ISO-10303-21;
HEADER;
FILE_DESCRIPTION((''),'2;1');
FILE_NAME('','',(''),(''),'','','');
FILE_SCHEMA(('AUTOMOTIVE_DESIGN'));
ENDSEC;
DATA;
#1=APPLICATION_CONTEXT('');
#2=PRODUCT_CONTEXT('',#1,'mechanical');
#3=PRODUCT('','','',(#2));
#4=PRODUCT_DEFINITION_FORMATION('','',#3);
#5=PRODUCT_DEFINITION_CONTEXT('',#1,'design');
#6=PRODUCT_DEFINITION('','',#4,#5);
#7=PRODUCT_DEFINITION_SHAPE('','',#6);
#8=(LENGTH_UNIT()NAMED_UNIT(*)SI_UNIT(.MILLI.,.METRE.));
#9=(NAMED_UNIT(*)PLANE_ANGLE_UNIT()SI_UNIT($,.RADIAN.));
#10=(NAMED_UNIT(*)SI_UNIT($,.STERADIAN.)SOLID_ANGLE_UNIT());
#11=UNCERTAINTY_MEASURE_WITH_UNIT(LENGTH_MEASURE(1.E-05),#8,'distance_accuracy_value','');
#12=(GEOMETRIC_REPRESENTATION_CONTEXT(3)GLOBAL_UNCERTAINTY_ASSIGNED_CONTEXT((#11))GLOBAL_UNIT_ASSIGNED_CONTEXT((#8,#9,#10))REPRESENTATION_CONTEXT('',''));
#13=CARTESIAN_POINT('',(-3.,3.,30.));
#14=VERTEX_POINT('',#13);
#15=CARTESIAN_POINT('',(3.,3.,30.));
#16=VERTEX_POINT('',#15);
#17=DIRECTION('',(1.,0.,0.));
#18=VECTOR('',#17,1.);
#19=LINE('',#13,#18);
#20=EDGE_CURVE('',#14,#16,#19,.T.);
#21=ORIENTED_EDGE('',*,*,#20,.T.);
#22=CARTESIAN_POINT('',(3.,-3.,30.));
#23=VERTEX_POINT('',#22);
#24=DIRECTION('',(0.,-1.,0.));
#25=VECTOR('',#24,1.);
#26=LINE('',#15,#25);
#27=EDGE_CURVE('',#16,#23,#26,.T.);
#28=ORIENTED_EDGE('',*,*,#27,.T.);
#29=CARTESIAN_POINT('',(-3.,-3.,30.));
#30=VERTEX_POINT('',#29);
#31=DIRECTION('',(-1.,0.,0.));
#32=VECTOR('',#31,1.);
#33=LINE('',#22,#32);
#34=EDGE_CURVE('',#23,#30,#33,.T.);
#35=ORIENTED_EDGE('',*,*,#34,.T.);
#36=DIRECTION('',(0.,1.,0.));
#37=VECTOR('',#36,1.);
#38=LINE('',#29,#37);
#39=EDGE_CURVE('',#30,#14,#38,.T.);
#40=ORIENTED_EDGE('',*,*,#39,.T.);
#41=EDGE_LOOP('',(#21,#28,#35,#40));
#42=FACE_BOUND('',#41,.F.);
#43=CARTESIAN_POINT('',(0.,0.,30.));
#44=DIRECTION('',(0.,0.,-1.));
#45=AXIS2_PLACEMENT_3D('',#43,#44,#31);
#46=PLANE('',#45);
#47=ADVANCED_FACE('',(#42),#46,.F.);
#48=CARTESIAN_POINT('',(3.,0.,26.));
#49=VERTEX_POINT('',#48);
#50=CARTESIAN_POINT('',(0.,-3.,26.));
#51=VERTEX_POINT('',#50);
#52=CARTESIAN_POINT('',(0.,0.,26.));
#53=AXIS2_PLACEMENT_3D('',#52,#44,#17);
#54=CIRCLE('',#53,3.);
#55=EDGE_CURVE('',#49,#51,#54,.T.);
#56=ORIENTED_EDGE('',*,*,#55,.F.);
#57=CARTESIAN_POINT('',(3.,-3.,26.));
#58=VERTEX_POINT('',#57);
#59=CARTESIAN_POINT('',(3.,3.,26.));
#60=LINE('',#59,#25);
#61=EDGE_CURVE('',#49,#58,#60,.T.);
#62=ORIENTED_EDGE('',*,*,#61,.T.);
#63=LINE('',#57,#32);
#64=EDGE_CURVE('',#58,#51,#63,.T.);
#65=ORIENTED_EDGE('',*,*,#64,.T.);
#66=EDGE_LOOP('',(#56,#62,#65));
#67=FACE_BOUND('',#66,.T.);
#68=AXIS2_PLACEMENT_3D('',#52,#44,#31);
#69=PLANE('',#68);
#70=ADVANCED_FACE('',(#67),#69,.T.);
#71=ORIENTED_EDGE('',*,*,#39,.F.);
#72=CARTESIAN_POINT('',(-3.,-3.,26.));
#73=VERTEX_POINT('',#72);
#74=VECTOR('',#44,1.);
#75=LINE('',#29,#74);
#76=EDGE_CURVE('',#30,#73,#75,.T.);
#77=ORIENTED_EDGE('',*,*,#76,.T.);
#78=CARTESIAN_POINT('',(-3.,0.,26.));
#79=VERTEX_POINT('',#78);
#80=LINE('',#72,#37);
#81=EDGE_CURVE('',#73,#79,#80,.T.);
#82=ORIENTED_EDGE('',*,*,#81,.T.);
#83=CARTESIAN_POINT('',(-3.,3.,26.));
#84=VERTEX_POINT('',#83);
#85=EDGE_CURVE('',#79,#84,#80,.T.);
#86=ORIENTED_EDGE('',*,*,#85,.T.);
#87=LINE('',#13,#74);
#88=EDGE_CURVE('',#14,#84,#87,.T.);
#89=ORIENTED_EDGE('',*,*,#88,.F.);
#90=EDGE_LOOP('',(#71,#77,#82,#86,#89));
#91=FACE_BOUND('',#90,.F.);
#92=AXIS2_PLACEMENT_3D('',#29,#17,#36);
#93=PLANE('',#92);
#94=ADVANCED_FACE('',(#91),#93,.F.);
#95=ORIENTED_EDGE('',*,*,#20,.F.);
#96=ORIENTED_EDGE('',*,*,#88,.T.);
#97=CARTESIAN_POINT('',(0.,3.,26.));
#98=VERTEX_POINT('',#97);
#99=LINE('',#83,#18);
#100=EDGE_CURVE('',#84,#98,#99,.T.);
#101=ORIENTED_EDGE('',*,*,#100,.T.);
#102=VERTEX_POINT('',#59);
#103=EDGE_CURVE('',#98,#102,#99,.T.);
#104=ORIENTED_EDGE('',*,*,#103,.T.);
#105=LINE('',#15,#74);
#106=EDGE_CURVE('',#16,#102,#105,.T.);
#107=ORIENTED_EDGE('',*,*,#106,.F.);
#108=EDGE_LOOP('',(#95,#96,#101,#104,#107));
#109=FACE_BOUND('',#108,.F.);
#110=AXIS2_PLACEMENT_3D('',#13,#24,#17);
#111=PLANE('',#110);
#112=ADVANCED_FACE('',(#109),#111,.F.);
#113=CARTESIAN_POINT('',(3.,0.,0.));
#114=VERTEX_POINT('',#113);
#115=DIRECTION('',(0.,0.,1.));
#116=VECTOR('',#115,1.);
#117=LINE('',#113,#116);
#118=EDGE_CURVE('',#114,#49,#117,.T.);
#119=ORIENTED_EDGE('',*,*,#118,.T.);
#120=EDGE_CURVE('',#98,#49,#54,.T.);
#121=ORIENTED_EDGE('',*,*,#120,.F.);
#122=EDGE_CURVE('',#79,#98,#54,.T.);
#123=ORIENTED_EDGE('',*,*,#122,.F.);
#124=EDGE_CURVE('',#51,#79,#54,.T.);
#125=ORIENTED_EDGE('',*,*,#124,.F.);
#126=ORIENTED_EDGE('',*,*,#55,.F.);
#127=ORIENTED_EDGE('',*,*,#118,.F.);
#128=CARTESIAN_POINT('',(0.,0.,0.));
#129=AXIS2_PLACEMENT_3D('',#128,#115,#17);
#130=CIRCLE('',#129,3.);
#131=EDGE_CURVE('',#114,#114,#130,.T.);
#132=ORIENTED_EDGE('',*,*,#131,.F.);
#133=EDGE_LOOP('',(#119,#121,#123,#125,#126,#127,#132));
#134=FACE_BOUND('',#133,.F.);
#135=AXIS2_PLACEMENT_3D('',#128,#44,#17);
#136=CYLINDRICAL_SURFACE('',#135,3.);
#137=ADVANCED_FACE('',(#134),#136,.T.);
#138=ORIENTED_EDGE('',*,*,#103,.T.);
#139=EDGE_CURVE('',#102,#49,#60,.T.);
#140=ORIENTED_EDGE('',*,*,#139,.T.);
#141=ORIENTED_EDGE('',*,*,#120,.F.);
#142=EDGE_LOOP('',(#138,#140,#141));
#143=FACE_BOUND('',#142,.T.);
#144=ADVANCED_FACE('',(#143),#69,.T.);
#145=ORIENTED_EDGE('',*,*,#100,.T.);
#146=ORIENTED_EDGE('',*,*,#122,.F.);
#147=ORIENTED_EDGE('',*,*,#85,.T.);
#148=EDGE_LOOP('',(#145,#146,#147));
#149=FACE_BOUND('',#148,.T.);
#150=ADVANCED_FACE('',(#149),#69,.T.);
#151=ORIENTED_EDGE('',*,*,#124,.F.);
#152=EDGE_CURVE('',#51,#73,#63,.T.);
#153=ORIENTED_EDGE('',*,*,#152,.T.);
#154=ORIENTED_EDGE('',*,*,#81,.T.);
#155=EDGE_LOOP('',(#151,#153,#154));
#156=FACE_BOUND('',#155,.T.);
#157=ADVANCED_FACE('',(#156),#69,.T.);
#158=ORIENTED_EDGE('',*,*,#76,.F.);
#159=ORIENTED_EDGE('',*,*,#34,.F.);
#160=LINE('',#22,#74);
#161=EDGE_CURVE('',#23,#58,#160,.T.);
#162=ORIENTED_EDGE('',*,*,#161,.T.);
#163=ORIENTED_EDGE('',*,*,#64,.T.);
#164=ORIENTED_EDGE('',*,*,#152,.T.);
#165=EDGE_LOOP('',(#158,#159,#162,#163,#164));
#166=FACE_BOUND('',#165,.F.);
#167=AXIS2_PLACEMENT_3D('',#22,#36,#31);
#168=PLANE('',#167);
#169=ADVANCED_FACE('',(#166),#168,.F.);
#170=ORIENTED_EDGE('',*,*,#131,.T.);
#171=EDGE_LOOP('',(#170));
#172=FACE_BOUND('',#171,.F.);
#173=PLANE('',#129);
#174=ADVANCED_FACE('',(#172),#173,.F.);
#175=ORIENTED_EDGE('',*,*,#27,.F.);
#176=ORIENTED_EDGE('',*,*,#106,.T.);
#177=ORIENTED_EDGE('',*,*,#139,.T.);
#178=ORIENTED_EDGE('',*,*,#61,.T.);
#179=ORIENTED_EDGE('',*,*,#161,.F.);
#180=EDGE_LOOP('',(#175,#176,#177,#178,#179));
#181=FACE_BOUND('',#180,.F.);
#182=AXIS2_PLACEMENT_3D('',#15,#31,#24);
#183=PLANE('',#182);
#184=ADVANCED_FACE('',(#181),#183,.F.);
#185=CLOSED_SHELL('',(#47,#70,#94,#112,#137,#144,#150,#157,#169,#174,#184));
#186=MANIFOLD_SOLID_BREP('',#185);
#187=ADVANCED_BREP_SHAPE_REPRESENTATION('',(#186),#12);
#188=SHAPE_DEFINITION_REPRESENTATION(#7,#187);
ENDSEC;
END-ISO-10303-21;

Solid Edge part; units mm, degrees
sketch "Sketch1" plane through (0, 0, 0) normal (0, 0, 1) x (1, 0, 0)
  circle A0 centre (0, 0) radius 3
extrude "Protrusion1" add sketch "Sketch1" along normal blind 30
sketch "Sketch2" plane through (0, 0, 30) normal (0, 0, 1) x (1, 0, 0)
  line L0 (3, -3) -> (-3, -3)
  line L1 (-3, -3) -> (-3, 3)
  line L2 (-3, 3) -> (3, 3)
  line L3 (3, 3) -> (3, -3)
extrude "Extrusionsausprägung_2" add sketch "Sketch2" against normal blind 4
